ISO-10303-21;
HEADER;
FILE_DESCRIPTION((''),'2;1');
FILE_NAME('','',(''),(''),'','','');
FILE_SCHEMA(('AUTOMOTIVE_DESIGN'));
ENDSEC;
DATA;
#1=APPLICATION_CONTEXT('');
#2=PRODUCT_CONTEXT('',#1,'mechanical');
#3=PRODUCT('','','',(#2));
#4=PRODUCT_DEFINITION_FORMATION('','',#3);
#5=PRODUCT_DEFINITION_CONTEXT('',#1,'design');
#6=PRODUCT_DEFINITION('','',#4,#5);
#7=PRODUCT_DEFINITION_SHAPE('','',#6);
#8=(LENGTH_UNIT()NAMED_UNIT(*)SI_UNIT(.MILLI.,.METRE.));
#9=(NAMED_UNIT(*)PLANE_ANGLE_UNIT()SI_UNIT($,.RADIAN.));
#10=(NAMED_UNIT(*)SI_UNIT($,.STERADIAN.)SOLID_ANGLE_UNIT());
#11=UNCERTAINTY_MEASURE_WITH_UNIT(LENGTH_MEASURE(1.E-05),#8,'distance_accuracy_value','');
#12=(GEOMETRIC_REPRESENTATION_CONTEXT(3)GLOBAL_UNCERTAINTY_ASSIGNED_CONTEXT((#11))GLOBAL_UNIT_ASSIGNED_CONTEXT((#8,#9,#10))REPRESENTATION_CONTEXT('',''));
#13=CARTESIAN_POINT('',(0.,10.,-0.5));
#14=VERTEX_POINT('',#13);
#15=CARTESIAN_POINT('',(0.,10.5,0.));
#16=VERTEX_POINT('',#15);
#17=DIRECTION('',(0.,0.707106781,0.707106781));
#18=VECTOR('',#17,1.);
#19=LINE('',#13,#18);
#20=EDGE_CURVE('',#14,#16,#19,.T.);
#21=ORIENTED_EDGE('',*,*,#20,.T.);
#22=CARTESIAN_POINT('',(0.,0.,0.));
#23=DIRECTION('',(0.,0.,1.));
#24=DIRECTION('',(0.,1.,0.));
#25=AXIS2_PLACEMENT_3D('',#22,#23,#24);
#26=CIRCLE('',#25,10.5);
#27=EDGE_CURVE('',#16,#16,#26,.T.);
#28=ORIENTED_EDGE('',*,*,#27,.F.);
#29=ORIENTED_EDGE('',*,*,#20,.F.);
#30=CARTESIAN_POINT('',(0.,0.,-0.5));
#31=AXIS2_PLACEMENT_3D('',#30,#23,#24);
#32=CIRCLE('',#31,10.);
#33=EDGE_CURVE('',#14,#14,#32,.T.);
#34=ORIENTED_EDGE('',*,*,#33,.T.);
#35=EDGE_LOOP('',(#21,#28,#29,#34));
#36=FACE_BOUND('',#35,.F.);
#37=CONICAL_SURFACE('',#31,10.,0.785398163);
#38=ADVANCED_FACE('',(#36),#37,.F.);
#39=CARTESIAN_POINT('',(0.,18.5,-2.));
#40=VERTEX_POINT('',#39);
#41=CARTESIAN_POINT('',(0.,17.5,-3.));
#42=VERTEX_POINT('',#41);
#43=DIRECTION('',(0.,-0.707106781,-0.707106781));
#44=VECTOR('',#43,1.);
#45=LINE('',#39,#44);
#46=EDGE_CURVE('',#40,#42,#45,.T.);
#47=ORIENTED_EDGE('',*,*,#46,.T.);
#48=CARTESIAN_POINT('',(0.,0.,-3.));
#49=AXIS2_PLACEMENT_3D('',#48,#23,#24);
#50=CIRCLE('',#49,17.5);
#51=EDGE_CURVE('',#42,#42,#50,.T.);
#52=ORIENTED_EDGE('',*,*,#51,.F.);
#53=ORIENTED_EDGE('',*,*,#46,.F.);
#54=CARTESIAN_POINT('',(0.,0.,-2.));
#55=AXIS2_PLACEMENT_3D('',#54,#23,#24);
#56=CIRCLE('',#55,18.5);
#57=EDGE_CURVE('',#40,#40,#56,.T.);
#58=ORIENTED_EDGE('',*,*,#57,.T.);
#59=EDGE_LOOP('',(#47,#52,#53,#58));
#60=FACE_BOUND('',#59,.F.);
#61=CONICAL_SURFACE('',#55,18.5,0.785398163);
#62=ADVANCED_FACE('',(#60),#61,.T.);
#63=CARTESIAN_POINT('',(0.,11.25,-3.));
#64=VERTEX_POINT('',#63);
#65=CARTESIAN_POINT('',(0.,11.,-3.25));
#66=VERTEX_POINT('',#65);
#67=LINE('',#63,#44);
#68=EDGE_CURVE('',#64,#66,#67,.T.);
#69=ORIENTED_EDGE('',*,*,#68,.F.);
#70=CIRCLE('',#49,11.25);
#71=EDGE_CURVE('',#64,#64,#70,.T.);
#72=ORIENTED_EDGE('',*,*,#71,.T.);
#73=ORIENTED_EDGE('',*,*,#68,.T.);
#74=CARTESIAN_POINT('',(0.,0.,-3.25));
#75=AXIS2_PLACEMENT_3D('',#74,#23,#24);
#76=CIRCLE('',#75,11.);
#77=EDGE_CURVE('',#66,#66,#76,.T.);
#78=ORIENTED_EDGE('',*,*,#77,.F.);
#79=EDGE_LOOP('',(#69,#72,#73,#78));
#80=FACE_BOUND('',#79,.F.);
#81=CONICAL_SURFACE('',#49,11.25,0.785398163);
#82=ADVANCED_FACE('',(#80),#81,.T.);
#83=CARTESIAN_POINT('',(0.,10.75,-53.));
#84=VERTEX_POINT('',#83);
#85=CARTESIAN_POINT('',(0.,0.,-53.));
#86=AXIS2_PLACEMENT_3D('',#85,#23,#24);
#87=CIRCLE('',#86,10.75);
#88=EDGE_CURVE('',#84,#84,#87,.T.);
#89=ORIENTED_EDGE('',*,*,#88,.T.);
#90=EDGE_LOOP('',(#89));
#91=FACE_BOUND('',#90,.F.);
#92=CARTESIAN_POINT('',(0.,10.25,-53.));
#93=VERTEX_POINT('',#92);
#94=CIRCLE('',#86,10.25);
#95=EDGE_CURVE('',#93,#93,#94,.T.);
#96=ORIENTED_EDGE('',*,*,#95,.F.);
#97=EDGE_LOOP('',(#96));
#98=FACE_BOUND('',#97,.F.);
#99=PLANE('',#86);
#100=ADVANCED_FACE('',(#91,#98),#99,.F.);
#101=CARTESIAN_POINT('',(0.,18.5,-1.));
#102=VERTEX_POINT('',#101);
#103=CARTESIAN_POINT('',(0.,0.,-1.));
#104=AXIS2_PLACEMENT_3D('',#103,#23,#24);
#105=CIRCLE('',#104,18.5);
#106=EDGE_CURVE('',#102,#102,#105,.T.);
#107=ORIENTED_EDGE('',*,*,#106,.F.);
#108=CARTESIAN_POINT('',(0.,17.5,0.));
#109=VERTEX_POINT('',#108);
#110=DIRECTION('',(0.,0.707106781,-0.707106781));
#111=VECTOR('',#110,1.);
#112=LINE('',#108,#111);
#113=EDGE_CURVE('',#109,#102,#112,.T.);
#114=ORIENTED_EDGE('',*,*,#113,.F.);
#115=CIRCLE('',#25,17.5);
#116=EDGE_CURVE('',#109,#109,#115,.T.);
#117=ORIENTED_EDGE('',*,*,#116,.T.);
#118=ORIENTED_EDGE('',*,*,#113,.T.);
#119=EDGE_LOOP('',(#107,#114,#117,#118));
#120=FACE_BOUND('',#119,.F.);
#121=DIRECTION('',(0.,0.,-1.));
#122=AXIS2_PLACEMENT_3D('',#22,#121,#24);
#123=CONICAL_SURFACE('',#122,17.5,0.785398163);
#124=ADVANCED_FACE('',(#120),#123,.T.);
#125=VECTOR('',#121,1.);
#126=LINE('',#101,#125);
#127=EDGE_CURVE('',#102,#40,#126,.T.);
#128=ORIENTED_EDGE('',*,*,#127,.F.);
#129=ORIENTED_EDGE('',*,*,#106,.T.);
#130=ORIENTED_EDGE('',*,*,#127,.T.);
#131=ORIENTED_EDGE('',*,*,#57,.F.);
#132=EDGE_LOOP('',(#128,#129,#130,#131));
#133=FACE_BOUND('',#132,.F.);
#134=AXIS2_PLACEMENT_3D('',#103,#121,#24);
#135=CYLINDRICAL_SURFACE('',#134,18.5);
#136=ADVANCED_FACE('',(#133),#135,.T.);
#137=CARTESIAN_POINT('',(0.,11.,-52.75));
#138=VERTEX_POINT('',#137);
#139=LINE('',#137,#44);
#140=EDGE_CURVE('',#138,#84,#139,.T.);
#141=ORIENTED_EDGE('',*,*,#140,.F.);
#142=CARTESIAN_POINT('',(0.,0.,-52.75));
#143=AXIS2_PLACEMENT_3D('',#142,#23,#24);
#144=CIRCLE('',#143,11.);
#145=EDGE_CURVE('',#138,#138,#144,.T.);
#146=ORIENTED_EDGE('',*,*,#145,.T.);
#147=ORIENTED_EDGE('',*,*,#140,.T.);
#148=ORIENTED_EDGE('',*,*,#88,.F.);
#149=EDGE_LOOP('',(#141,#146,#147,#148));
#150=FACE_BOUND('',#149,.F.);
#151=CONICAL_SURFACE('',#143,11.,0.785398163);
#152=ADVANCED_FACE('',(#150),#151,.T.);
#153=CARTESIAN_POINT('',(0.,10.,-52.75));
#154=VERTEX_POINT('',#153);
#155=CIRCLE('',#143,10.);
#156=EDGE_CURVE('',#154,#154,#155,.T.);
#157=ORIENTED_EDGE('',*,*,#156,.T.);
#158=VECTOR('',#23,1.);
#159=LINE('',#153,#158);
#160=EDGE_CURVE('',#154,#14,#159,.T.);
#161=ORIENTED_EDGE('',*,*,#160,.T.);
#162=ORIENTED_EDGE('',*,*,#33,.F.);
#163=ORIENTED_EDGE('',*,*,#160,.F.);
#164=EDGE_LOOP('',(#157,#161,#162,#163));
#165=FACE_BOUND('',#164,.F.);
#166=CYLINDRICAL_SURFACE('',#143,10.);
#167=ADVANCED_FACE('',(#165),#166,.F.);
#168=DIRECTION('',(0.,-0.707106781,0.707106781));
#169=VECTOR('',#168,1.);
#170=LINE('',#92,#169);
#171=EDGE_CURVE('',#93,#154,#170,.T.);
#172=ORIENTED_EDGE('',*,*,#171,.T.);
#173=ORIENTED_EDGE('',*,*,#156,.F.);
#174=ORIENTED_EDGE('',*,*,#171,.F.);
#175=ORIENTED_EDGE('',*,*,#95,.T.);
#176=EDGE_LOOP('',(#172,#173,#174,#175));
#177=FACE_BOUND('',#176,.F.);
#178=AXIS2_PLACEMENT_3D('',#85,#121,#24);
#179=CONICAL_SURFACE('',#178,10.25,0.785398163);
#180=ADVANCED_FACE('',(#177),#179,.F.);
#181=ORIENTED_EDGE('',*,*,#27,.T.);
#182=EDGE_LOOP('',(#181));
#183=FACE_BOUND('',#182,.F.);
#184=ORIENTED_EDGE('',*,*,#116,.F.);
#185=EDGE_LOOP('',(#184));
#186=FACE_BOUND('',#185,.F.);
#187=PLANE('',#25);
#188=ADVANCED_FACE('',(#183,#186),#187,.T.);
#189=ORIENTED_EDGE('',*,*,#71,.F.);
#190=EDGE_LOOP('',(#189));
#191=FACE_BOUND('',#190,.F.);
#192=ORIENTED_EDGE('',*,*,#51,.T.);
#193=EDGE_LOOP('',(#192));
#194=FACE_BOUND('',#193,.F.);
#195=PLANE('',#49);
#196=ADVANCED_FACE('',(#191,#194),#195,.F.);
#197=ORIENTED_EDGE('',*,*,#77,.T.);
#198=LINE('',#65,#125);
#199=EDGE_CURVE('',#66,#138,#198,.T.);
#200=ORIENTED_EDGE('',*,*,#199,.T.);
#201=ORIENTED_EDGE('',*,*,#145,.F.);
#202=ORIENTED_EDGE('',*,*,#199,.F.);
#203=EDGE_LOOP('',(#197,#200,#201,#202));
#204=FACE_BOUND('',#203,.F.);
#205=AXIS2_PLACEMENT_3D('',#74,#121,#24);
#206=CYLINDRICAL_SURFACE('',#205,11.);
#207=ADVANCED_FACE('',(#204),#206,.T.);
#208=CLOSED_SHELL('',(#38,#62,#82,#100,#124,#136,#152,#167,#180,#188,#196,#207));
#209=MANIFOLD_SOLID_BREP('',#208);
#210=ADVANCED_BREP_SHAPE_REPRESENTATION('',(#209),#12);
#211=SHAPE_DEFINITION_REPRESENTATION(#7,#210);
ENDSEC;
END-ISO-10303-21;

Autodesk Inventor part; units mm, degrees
ref_plane "YZ Plane" through (0, 0, 0) normal (1, 0, 0) x (0, 1, 0)
ref_plane "XZ Plane" through (0, 0, 0) normal (0, 1, 0) x (-1, 0, 0)
ref_plane "XY Plane" through (0, 0, 0) normal (0, 0, 1) x (1, 0, 0)
sketch "Esquisse3" plane through (0, 0, 0) normal (1, 0, 0) x (0, 1, 0)
  line L0 (18.5, -1) -> (18.5, -2)
  line L1 (18.5, -2) -> (17.5, -3)
  line L2 (17.5, -3) -> (11.25, -3)
  line L3 (11.25, -3) -> (11, -3.25)
  line L4 (11, -3.25) -> (11, -52.75)
  line L5 (11, -52.75) -> (10.75, -53)
  line L6 (10.75, -53) -> (10.25, -53)
  line L7 (10.25, -53) -> (10, -52.75)
  line L8 (10, -52.75) -> (10, -0.5)
  line L9 (10, -0.5) -> (10.5, 0)
  line L10 (10.5, 0) -> (17.5, 0)
  line L11 (17.5, 0) -> (18.5, -1)
  line L12 (0, -63.6) -> (0, 10.6) projected
  point P0 (0, 0)
  dimension "d4" = 1
  dimension "d5" = 1
  dimension "d6" = 18.5
  dimension "d7" = 11
  dimension "d9" = 3
  dimension "d10" = 0.25
  dimension "d11" = 0.25
  dimension "d12" = 0.25
  dimension "d13" = 0.25
  dimension "d14" = 1
  dimension "d15" = 0.5
  dimension "d16" = 0.5
  dimension "d17" = 0.25
  dimension "d18" = 0.25
  dimension "d19" = 1
  dimension "d20" = 1
  dimension "d23" = 50
revolve "Révolution1" add sketch "Esquisse3" angle 360 about axis through (0, 0, -10) along (0, 0, 1)
equation "\"d5\" = d4"
equation "\"d11\" = d10"
equation "\"d12\" = d10"
equation "\"d13\" = d10"
equation "\"d16\" = d15"
equation "\"d17\" = d10"
equation "\"d18\" = d10"
equation "\"d19\" = d4"
equation "\"d20\" = d4"
properties part number "douille" material "S235JR (E24-2)"
